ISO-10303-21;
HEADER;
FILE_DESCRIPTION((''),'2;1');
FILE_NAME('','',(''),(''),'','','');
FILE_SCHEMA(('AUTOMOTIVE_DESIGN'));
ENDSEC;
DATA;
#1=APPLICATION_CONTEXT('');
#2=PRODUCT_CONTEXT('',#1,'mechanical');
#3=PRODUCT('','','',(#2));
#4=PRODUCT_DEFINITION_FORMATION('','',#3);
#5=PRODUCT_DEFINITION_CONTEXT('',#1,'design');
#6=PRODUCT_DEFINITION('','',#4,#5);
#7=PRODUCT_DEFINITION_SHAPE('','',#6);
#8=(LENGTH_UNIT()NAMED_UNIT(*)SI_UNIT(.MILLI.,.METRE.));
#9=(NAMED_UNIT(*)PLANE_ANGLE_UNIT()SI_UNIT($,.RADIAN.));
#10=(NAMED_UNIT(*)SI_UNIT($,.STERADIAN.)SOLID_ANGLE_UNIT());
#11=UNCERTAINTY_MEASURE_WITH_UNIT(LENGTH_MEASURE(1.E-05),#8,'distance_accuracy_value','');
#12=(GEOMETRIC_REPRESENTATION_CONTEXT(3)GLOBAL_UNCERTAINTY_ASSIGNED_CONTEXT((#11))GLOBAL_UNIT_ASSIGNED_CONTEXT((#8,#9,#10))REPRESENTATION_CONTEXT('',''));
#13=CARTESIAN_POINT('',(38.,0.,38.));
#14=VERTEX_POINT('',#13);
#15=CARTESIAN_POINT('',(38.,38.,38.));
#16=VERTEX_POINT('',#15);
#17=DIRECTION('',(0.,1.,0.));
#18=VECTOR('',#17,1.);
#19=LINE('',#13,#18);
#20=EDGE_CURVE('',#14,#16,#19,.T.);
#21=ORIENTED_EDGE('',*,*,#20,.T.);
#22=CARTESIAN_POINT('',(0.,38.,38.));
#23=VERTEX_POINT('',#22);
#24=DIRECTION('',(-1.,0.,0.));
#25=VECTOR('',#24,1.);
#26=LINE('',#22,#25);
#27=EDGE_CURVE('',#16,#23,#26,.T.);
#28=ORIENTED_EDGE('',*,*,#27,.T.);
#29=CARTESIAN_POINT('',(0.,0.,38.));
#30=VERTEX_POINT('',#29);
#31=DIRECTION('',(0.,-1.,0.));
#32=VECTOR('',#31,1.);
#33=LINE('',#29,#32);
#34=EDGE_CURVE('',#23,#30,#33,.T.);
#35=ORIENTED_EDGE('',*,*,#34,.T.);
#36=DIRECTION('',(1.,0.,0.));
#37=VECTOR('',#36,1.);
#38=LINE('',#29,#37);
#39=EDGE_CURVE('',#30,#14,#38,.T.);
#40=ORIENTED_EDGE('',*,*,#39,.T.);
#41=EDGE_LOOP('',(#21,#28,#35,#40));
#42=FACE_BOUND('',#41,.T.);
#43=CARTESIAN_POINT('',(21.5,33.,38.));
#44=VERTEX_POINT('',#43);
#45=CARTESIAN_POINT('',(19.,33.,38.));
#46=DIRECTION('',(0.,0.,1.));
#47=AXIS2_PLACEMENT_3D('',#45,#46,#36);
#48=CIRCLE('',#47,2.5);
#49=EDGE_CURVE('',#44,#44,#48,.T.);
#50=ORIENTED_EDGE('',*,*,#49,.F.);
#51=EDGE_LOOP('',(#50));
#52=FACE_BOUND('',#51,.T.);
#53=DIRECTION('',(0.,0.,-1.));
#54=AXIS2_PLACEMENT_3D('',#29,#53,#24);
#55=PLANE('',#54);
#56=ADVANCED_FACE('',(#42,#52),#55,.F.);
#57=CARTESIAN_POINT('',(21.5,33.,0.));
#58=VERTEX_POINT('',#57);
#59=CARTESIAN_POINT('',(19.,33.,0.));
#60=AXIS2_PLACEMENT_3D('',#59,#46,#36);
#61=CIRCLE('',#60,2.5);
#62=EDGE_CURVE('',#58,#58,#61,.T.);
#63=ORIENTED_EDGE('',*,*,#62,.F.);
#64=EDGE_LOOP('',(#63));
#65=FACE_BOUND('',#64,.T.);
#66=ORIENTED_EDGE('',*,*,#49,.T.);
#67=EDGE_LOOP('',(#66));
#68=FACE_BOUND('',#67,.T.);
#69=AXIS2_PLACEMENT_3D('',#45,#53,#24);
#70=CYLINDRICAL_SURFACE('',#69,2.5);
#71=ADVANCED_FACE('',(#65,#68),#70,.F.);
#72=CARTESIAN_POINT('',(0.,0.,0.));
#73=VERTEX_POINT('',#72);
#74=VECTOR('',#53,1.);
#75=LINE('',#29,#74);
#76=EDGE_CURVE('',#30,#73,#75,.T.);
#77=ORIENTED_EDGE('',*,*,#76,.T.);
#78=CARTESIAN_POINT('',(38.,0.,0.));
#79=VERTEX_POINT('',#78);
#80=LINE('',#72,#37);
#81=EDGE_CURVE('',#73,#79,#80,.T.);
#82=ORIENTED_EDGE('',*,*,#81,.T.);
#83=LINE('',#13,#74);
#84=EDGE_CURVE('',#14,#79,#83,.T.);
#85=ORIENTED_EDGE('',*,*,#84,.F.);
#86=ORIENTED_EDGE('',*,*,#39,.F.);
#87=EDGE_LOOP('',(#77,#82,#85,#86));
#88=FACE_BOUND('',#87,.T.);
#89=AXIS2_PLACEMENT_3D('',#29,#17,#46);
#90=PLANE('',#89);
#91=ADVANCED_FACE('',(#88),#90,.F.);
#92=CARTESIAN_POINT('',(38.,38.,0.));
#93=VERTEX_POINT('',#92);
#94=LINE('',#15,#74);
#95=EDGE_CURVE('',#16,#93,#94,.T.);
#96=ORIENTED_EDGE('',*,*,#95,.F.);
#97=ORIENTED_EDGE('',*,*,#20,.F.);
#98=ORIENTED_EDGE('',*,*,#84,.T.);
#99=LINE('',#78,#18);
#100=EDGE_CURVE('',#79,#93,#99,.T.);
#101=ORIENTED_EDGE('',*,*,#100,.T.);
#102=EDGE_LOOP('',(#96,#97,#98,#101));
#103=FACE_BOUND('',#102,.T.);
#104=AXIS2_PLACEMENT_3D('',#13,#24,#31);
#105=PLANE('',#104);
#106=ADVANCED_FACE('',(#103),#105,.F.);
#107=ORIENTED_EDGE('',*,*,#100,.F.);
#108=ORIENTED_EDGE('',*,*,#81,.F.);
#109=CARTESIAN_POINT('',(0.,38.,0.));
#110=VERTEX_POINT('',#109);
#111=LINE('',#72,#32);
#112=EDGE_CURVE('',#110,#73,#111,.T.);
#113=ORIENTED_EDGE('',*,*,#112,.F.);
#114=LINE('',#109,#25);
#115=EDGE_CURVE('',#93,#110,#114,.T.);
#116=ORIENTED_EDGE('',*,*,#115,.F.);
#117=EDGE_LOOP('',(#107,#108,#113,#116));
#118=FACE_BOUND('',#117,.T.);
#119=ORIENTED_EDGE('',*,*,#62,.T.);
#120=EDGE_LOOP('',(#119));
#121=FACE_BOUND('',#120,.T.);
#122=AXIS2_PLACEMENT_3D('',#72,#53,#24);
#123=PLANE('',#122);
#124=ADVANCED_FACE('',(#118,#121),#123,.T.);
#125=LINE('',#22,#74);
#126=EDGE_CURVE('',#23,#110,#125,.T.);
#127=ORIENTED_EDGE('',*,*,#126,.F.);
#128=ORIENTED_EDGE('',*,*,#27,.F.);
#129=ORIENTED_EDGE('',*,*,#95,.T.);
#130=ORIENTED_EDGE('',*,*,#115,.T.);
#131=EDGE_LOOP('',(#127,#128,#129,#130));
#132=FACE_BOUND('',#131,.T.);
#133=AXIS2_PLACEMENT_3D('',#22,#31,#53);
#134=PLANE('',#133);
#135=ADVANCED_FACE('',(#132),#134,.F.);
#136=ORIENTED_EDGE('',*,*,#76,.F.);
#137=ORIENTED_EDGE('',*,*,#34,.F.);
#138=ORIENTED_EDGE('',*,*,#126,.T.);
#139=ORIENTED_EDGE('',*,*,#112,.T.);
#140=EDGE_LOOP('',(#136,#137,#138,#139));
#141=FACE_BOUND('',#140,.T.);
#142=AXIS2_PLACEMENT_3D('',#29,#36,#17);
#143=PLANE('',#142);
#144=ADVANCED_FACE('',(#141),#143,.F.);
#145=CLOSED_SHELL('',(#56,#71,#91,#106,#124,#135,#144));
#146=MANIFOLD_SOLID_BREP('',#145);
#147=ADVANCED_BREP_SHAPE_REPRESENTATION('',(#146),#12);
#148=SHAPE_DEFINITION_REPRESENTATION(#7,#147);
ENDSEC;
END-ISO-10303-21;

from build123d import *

# Parameters (mm, degrees)
SKETCH1_W           = 38
SKETCH1_H           = 38
SKETCH1_R           = 2.5
BOSS_EXTRUDE1_DEPTH = 38


with BuildPart() as part:
    # Sketch1 → Boss-Extrude1 (new body)
    with BuildSketch(Plane.XY):
        with Locations((19, 19)):
            Rectangle(SKETCH1_W, SKETCH1_H)
        with Locations((19, 33)):
            Circle(SKETCH1_R, mode=Mode.SUBTRACT)
    extrude(amount=BOSS_EXTRUDE1_DEPTH)


solid = part.part
